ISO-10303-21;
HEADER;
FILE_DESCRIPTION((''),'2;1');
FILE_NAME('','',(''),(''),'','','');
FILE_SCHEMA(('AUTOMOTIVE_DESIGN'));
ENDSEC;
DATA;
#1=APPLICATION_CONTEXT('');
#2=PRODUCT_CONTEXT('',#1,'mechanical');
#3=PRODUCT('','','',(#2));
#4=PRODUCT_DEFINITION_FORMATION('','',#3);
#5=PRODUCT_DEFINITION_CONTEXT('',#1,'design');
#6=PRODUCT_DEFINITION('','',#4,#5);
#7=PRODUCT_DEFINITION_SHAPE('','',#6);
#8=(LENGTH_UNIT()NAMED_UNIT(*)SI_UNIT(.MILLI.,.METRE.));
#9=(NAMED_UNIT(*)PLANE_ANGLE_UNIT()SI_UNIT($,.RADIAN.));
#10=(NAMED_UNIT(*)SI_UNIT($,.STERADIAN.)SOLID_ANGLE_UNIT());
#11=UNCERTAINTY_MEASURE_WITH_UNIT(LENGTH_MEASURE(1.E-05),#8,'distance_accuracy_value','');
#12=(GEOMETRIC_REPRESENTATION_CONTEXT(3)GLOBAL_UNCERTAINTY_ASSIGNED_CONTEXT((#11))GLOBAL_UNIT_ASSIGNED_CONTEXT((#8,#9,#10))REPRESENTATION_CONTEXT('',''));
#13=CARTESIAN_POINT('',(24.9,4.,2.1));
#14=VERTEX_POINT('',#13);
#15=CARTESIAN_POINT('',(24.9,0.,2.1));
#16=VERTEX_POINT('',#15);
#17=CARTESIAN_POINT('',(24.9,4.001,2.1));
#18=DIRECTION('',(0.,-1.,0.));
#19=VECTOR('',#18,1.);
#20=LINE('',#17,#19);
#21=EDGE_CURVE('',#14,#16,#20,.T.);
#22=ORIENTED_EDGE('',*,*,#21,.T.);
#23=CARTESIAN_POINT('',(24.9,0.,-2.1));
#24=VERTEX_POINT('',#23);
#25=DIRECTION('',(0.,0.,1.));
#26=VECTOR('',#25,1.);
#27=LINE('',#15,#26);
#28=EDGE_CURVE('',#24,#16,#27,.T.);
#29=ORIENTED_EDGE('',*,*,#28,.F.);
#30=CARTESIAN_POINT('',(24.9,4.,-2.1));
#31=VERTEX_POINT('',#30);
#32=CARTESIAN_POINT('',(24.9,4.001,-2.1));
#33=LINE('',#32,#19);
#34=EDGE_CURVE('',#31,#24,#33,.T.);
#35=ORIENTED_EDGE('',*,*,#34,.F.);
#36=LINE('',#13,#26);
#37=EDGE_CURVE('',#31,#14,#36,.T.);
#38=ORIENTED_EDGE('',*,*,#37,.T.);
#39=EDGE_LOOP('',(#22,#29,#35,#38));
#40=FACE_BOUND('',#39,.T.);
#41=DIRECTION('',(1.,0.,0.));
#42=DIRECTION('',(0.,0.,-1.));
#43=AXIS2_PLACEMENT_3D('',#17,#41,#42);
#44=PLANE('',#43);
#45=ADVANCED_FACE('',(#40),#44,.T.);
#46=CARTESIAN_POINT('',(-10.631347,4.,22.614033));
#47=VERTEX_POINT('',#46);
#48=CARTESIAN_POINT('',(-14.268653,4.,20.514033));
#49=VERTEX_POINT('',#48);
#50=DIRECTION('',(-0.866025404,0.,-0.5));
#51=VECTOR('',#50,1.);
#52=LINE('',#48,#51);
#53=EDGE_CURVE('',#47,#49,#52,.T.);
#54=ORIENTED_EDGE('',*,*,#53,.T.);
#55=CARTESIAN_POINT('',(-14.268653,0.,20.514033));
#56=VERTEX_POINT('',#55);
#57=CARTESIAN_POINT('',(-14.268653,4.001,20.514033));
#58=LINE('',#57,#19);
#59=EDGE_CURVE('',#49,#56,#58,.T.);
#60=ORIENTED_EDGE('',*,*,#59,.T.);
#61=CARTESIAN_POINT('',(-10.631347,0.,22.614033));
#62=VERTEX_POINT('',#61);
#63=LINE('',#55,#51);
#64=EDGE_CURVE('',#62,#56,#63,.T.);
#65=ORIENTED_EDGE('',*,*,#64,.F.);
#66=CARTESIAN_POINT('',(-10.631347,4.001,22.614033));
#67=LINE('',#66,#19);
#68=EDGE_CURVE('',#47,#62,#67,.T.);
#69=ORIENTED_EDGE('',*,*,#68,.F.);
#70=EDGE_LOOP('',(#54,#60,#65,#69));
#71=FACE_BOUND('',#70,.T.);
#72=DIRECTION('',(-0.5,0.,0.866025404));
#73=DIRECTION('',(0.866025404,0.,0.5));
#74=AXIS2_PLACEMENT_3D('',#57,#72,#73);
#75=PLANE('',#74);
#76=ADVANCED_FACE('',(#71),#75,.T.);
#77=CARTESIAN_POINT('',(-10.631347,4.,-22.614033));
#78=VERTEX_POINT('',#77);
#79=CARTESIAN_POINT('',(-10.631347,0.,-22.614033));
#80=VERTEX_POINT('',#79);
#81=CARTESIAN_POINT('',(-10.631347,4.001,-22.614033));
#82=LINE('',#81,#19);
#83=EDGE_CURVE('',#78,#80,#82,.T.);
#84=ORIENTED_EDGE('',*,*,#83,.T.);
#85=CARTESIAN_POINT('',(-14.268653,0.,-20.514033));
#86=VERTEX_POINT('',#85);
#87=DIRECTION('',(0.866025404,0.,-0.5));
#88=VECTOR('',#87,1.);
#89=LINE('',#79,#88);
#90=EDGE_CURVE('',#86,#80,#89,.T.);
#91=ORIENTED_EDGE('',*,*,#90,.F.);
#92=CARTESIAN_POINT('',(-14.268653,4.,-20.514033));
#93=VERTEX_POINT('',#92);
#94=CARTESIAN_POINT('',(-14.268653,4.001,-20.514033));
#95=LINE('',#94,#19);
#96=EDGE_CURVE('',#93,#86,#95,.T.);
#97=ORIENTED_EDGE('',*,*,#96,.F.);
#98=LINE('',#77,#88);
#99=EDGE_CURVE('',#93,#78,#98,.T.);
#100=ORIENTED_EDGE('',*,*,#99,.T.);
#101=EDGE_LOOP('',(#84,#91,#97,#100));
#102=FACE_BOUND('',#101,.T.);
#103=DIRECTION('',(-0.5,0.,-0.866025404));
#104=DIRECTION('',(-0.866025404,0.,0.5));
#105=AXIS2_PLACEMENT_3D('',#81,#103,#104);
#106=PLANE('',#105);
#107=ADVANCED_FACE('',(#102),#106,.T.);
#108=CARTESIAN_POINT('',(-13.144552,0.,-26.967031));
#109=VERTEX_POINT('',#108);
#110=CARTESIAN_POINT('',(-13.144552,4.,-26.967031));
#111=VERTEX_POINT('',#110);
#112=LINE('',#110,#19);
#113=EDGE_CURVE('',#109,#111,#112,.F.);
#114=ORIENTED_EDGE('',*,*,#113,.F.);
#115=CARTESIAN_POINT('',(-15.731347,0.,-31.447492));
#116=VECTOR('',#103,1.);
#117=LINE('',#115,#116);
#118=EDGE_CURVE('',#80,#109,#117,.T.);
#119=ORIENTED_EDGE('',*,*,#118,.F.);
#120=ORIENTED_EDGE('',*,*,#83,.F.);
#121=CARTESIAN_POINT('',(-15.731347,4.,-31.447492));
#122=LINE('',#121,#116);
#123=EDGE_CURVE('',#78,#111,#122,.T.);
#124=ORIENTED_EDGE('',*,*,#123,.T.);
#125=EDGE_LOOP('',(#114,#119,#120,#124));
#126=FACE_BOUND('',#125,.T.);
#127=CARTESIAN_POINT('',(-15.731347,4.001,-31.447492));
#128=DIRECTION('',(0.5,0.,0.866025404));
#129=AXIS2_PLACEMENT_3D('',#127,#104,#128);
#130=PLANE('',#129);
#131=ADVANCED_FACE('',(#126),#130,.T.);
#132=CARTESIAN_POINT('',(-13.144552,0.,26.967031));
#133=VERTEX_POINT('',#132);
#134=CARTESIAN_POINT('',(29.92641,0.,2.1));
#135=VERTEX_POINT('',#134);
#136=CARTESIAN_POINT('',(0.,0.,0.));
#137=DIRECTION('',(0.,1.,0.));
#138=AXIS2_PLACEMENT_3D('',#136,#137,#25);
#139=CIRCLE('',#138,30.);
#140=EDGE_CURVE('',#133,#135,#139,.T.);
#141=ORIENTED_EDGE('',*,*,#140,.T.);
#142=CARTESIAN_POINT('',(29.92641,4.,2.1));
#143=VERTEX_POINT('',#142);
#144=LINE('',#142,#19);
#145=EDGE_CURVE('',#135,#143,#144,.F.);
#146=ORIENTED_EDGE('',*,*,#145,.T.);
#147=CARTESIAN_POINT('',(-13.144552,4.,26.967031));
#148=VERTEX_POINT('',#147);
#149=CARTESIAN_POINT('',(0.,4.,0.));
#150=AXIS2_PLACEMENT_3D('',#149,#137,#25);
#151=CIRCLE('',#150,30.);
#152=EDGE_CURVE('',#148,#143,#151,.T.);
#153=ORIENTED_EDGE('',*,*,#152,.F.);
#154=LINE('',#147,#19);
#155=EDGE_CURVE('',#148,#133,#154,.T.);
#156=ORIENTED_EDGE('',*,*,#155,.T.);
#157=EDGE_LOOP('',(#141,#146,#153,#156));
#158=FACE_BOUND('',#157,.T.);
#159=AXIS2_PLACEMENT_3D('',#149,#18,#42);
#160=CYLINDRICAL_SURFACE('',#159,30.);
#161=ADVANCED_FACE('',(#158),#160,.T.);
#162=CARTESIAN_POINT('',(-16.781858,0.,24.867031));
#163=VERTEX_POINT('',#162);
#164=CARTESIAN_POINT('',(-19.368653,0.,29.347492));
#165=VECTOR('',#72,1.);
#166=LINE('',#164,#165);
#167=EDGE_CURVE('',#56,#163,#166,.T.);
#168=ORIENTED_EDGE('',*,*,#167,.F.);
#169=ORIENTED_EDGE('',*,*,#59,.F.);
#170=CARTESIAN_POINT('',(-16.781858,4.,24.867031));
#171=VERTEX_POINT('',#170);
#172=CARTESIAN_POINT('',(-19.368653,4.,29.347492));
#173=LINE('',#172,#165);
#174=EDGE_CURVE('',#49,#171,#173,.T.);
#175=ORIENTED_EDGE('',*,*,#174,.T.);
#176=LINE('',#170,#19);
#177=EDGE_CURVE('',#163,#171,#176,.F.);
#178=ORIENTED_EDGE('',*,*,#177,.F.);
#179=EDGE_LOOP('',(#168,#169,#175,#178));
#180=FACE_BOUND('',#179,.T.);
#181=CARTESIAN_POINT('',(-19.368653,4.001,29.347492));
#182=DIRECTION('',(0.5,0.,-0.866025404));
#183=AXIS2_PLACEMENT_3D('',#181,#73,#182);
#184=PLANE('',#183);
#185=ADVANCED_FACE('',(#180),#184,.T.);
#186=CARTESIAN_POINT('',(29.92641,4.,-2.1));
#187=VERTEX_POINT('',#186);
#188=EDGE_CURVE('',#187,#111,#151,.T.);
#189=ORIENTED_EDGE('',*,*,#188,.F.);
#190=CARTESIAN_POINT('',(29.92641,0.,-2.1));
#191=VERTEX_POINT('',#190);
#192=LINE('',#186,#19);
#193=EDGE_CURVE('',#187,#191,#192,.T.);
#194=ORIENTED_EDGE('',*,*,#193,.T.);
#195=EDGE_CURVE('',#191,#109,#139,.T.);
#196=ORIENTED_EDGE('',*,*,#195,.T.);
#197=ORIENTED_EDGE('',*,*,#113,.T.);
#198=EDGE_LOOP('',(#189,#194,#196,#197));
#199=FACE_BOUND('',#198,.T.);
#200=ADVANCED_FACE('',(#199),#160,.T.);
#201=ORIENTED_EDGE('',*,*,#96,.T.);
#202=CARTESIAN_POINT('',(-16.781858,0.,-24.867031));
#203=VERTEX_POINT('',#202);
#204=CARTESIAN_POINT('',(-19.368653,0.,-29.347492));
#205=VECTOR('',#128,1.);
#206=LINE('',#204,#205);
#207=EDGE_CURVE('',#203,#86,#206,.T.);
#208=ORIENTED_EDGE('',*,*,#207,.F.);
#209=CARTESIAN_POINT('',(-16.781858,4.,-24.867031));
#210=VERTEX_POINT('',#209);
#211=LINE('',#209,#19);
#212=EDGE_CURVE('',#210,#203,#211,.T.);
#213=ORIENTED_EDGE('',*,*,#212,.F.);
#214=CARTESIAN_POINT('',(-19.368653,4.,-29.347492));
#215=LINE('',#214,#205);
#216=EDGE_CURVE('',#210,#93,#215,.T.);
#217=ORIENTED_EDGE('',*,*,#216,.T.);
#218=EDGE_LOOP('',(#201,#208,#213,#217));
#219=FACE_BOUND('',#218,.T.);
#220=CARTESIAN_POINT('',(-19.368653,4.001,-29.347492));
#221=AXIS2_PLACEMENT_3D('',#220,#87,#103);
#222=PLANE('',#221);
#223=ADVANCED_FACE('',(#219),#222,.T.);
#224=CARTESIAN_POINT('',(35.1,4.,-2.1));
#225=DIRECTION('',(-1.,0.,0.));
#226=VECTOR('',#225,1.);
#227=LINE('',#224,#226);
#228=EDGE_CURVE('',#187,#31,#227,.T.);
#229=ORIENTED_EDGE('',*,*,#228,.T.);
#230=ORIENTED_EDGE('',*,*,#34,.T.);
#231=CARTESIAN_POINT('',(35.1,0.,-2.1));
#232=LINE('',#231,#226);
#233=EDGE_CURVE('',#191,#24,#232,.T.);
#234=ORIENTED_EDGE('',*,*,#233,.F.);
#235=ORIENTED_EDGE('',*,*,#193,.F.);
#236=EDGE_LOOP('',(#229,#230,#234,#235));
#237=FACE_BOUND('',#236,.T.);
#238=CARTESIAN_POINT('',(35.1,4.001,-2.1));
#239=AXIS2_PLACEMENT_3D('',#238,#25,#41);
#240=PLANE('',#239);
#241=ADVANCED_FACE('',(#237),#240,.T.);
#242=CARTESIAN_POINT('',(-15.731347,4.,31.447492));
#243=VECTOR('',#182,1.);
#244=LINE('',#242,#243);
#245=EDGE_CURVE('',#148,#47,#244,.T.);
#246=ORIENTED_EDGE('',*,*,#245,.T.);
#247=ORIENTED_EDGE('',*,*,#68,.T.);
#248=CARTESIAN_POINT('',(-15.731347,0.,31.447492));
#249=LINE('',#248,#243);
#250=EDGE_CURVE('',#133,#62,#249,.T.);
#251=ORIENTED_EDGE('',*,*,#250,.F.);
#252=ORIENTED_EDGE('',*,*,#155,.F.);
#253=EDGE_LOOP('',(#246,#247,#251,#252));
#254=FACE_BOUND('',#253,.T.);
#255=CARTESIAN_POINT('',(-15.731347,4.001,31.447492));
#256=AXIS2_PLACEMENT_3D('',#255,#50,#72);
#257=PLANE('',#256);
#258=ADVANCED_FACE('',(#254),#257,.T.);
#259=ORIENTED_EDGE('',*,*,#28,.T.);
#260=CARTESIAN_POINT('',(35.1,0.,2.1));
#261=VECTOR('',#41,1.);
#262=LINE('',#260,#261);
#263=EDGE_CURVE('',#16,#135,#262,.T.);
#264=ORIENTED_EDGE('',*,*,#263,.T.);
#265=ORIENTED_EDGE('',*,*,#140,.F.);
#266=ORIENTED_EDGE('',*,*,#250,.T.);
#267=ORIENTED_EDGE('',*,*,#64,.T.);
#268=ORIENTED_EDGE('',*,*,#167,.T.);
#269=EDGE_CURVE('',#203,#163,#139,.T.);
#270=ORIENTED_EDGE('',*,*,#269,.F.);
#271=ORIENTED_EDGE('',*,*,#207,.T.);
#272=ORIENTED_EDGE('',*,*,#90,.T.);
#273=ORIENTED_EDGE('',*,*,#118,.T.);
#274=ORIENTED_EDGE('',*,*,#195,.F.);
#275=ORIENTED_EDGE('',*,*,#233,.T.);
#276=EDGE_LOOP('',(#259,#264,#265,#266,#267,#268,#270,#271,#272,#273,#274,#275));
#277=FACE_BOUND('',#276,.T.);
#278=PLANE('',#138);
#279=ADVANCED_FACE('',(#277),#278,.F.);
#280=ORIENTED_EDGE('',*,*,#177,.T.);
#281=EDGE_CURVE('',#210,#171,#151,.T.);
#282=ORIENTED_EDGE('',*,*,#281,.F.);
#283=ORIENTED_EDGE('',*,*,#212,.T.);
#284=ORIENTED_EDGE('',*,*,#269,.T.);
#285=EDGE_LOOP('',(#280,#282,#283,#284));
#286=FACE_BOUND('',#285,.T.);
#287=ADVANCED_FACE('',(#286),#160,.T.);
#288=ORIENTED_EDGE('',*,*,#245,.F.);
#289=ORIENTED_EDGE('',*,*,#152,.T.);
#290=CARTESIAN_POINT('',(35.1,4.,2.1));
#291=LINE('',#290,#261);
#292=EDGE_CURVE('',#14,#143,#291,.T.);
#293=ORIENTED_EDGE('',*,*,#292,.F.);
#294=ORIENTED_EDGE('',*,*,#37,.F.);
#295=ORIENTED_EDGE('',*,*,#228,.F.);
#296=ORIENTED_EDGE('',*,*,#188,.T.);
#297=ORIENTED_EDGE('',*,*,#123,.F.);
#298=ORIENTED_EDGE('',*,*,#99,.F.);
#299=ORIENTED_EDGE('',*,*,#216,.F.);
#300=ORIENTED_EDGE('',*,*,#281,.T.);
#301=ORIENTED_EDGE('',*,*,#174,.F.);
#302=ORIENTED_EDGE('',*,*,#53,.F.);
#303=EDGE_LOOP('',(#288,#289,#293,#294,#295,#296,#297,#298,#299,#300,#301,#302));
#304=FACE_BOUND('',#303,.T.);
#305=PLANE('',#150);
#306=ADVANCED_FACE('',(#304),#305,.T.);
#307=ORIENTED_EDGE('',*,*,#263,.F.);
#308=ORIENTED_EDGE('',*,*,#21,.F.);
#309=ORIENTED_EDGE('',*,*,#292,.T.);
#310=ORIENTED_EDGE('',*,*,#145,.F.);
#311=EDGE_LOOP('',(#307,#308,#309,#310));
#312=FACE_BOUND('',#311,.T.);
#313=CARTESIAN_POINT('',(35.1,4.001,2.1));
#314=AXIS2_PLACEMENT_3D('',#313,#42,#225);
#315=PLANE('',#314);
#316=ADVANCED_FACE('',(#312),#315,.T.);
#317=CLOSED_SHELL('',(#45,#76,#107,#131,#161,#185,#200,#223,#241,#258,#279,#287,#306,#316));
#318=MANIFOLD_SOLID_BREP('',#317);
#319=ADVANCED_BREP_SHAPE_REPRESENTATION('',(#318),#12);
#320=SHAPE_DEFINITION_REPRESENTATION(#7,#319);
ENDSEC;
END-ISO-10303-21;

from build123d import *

# Parameters (mm, degrees)
CROQUIS1_R              = 30
SALIENTE_EXTRUIR1_DEPTH = 4
CORTAR_EXTRUIR2_REACH   = 44.615
CROQUIS2_W              = 10.2
CROQUIS2_H              = 4.2
MATRIZC1_COUNT          = 3


with BuildPart() as part:
    # Croquis1 → Saliente-Extruir1 (new body)
    with BuildSketch(Plane(origin=(0, 0, 0), x_dir=(1, 0, 0), z_dir=(0, 1, 0))):
        with Locations(Location((0, 0, 0), (0, 0, 270))):
            Circle(CROQUIS1_R)
    extrude(amount=SALIENTE_EXTRUIR1_DEPTH)

    # Croquis2 → Cortar-Extruir2 (cut, up to next)
    with BuildSketch(Plane(origin=(0, 0, 0), x_dir=(1, 0, 0), z_dir=(0, 1, 0)), mode=Mode.PRIVATE) as cortar_extruir2_sk1:
        with Locations((30, 0)):
            Rectangle(CROQUIS2_W, CROQUIS2_H)
    cortar_extruir2_tool1 = extrude(cortar_extruir2_sk1.sketch, amount=CORTAR_EXTRUIR2_REACH, mode=Mode.PRIVATE) & part.part
    cortar_extruir2 = cortar_extruir2_tool1.solids().sort_by_distance((30, 0, 0))[0]
    add(cortar_extruir2, mode=Mode.SUBTRACT)

    # MatrizC1: Cortar-Extruir2 ×3 about axis
    matrizc1_axis = Axis((0, 0, 0), (0, 1, 0))
    for i in range(1, MATRIZC1_COUNT):
        add(cortar_extruir2.rotate(matrizc1_axis, i * 360 / MATRIZC1_COUNT), mode=Mode.SUBTRACT)


solid = part.part
